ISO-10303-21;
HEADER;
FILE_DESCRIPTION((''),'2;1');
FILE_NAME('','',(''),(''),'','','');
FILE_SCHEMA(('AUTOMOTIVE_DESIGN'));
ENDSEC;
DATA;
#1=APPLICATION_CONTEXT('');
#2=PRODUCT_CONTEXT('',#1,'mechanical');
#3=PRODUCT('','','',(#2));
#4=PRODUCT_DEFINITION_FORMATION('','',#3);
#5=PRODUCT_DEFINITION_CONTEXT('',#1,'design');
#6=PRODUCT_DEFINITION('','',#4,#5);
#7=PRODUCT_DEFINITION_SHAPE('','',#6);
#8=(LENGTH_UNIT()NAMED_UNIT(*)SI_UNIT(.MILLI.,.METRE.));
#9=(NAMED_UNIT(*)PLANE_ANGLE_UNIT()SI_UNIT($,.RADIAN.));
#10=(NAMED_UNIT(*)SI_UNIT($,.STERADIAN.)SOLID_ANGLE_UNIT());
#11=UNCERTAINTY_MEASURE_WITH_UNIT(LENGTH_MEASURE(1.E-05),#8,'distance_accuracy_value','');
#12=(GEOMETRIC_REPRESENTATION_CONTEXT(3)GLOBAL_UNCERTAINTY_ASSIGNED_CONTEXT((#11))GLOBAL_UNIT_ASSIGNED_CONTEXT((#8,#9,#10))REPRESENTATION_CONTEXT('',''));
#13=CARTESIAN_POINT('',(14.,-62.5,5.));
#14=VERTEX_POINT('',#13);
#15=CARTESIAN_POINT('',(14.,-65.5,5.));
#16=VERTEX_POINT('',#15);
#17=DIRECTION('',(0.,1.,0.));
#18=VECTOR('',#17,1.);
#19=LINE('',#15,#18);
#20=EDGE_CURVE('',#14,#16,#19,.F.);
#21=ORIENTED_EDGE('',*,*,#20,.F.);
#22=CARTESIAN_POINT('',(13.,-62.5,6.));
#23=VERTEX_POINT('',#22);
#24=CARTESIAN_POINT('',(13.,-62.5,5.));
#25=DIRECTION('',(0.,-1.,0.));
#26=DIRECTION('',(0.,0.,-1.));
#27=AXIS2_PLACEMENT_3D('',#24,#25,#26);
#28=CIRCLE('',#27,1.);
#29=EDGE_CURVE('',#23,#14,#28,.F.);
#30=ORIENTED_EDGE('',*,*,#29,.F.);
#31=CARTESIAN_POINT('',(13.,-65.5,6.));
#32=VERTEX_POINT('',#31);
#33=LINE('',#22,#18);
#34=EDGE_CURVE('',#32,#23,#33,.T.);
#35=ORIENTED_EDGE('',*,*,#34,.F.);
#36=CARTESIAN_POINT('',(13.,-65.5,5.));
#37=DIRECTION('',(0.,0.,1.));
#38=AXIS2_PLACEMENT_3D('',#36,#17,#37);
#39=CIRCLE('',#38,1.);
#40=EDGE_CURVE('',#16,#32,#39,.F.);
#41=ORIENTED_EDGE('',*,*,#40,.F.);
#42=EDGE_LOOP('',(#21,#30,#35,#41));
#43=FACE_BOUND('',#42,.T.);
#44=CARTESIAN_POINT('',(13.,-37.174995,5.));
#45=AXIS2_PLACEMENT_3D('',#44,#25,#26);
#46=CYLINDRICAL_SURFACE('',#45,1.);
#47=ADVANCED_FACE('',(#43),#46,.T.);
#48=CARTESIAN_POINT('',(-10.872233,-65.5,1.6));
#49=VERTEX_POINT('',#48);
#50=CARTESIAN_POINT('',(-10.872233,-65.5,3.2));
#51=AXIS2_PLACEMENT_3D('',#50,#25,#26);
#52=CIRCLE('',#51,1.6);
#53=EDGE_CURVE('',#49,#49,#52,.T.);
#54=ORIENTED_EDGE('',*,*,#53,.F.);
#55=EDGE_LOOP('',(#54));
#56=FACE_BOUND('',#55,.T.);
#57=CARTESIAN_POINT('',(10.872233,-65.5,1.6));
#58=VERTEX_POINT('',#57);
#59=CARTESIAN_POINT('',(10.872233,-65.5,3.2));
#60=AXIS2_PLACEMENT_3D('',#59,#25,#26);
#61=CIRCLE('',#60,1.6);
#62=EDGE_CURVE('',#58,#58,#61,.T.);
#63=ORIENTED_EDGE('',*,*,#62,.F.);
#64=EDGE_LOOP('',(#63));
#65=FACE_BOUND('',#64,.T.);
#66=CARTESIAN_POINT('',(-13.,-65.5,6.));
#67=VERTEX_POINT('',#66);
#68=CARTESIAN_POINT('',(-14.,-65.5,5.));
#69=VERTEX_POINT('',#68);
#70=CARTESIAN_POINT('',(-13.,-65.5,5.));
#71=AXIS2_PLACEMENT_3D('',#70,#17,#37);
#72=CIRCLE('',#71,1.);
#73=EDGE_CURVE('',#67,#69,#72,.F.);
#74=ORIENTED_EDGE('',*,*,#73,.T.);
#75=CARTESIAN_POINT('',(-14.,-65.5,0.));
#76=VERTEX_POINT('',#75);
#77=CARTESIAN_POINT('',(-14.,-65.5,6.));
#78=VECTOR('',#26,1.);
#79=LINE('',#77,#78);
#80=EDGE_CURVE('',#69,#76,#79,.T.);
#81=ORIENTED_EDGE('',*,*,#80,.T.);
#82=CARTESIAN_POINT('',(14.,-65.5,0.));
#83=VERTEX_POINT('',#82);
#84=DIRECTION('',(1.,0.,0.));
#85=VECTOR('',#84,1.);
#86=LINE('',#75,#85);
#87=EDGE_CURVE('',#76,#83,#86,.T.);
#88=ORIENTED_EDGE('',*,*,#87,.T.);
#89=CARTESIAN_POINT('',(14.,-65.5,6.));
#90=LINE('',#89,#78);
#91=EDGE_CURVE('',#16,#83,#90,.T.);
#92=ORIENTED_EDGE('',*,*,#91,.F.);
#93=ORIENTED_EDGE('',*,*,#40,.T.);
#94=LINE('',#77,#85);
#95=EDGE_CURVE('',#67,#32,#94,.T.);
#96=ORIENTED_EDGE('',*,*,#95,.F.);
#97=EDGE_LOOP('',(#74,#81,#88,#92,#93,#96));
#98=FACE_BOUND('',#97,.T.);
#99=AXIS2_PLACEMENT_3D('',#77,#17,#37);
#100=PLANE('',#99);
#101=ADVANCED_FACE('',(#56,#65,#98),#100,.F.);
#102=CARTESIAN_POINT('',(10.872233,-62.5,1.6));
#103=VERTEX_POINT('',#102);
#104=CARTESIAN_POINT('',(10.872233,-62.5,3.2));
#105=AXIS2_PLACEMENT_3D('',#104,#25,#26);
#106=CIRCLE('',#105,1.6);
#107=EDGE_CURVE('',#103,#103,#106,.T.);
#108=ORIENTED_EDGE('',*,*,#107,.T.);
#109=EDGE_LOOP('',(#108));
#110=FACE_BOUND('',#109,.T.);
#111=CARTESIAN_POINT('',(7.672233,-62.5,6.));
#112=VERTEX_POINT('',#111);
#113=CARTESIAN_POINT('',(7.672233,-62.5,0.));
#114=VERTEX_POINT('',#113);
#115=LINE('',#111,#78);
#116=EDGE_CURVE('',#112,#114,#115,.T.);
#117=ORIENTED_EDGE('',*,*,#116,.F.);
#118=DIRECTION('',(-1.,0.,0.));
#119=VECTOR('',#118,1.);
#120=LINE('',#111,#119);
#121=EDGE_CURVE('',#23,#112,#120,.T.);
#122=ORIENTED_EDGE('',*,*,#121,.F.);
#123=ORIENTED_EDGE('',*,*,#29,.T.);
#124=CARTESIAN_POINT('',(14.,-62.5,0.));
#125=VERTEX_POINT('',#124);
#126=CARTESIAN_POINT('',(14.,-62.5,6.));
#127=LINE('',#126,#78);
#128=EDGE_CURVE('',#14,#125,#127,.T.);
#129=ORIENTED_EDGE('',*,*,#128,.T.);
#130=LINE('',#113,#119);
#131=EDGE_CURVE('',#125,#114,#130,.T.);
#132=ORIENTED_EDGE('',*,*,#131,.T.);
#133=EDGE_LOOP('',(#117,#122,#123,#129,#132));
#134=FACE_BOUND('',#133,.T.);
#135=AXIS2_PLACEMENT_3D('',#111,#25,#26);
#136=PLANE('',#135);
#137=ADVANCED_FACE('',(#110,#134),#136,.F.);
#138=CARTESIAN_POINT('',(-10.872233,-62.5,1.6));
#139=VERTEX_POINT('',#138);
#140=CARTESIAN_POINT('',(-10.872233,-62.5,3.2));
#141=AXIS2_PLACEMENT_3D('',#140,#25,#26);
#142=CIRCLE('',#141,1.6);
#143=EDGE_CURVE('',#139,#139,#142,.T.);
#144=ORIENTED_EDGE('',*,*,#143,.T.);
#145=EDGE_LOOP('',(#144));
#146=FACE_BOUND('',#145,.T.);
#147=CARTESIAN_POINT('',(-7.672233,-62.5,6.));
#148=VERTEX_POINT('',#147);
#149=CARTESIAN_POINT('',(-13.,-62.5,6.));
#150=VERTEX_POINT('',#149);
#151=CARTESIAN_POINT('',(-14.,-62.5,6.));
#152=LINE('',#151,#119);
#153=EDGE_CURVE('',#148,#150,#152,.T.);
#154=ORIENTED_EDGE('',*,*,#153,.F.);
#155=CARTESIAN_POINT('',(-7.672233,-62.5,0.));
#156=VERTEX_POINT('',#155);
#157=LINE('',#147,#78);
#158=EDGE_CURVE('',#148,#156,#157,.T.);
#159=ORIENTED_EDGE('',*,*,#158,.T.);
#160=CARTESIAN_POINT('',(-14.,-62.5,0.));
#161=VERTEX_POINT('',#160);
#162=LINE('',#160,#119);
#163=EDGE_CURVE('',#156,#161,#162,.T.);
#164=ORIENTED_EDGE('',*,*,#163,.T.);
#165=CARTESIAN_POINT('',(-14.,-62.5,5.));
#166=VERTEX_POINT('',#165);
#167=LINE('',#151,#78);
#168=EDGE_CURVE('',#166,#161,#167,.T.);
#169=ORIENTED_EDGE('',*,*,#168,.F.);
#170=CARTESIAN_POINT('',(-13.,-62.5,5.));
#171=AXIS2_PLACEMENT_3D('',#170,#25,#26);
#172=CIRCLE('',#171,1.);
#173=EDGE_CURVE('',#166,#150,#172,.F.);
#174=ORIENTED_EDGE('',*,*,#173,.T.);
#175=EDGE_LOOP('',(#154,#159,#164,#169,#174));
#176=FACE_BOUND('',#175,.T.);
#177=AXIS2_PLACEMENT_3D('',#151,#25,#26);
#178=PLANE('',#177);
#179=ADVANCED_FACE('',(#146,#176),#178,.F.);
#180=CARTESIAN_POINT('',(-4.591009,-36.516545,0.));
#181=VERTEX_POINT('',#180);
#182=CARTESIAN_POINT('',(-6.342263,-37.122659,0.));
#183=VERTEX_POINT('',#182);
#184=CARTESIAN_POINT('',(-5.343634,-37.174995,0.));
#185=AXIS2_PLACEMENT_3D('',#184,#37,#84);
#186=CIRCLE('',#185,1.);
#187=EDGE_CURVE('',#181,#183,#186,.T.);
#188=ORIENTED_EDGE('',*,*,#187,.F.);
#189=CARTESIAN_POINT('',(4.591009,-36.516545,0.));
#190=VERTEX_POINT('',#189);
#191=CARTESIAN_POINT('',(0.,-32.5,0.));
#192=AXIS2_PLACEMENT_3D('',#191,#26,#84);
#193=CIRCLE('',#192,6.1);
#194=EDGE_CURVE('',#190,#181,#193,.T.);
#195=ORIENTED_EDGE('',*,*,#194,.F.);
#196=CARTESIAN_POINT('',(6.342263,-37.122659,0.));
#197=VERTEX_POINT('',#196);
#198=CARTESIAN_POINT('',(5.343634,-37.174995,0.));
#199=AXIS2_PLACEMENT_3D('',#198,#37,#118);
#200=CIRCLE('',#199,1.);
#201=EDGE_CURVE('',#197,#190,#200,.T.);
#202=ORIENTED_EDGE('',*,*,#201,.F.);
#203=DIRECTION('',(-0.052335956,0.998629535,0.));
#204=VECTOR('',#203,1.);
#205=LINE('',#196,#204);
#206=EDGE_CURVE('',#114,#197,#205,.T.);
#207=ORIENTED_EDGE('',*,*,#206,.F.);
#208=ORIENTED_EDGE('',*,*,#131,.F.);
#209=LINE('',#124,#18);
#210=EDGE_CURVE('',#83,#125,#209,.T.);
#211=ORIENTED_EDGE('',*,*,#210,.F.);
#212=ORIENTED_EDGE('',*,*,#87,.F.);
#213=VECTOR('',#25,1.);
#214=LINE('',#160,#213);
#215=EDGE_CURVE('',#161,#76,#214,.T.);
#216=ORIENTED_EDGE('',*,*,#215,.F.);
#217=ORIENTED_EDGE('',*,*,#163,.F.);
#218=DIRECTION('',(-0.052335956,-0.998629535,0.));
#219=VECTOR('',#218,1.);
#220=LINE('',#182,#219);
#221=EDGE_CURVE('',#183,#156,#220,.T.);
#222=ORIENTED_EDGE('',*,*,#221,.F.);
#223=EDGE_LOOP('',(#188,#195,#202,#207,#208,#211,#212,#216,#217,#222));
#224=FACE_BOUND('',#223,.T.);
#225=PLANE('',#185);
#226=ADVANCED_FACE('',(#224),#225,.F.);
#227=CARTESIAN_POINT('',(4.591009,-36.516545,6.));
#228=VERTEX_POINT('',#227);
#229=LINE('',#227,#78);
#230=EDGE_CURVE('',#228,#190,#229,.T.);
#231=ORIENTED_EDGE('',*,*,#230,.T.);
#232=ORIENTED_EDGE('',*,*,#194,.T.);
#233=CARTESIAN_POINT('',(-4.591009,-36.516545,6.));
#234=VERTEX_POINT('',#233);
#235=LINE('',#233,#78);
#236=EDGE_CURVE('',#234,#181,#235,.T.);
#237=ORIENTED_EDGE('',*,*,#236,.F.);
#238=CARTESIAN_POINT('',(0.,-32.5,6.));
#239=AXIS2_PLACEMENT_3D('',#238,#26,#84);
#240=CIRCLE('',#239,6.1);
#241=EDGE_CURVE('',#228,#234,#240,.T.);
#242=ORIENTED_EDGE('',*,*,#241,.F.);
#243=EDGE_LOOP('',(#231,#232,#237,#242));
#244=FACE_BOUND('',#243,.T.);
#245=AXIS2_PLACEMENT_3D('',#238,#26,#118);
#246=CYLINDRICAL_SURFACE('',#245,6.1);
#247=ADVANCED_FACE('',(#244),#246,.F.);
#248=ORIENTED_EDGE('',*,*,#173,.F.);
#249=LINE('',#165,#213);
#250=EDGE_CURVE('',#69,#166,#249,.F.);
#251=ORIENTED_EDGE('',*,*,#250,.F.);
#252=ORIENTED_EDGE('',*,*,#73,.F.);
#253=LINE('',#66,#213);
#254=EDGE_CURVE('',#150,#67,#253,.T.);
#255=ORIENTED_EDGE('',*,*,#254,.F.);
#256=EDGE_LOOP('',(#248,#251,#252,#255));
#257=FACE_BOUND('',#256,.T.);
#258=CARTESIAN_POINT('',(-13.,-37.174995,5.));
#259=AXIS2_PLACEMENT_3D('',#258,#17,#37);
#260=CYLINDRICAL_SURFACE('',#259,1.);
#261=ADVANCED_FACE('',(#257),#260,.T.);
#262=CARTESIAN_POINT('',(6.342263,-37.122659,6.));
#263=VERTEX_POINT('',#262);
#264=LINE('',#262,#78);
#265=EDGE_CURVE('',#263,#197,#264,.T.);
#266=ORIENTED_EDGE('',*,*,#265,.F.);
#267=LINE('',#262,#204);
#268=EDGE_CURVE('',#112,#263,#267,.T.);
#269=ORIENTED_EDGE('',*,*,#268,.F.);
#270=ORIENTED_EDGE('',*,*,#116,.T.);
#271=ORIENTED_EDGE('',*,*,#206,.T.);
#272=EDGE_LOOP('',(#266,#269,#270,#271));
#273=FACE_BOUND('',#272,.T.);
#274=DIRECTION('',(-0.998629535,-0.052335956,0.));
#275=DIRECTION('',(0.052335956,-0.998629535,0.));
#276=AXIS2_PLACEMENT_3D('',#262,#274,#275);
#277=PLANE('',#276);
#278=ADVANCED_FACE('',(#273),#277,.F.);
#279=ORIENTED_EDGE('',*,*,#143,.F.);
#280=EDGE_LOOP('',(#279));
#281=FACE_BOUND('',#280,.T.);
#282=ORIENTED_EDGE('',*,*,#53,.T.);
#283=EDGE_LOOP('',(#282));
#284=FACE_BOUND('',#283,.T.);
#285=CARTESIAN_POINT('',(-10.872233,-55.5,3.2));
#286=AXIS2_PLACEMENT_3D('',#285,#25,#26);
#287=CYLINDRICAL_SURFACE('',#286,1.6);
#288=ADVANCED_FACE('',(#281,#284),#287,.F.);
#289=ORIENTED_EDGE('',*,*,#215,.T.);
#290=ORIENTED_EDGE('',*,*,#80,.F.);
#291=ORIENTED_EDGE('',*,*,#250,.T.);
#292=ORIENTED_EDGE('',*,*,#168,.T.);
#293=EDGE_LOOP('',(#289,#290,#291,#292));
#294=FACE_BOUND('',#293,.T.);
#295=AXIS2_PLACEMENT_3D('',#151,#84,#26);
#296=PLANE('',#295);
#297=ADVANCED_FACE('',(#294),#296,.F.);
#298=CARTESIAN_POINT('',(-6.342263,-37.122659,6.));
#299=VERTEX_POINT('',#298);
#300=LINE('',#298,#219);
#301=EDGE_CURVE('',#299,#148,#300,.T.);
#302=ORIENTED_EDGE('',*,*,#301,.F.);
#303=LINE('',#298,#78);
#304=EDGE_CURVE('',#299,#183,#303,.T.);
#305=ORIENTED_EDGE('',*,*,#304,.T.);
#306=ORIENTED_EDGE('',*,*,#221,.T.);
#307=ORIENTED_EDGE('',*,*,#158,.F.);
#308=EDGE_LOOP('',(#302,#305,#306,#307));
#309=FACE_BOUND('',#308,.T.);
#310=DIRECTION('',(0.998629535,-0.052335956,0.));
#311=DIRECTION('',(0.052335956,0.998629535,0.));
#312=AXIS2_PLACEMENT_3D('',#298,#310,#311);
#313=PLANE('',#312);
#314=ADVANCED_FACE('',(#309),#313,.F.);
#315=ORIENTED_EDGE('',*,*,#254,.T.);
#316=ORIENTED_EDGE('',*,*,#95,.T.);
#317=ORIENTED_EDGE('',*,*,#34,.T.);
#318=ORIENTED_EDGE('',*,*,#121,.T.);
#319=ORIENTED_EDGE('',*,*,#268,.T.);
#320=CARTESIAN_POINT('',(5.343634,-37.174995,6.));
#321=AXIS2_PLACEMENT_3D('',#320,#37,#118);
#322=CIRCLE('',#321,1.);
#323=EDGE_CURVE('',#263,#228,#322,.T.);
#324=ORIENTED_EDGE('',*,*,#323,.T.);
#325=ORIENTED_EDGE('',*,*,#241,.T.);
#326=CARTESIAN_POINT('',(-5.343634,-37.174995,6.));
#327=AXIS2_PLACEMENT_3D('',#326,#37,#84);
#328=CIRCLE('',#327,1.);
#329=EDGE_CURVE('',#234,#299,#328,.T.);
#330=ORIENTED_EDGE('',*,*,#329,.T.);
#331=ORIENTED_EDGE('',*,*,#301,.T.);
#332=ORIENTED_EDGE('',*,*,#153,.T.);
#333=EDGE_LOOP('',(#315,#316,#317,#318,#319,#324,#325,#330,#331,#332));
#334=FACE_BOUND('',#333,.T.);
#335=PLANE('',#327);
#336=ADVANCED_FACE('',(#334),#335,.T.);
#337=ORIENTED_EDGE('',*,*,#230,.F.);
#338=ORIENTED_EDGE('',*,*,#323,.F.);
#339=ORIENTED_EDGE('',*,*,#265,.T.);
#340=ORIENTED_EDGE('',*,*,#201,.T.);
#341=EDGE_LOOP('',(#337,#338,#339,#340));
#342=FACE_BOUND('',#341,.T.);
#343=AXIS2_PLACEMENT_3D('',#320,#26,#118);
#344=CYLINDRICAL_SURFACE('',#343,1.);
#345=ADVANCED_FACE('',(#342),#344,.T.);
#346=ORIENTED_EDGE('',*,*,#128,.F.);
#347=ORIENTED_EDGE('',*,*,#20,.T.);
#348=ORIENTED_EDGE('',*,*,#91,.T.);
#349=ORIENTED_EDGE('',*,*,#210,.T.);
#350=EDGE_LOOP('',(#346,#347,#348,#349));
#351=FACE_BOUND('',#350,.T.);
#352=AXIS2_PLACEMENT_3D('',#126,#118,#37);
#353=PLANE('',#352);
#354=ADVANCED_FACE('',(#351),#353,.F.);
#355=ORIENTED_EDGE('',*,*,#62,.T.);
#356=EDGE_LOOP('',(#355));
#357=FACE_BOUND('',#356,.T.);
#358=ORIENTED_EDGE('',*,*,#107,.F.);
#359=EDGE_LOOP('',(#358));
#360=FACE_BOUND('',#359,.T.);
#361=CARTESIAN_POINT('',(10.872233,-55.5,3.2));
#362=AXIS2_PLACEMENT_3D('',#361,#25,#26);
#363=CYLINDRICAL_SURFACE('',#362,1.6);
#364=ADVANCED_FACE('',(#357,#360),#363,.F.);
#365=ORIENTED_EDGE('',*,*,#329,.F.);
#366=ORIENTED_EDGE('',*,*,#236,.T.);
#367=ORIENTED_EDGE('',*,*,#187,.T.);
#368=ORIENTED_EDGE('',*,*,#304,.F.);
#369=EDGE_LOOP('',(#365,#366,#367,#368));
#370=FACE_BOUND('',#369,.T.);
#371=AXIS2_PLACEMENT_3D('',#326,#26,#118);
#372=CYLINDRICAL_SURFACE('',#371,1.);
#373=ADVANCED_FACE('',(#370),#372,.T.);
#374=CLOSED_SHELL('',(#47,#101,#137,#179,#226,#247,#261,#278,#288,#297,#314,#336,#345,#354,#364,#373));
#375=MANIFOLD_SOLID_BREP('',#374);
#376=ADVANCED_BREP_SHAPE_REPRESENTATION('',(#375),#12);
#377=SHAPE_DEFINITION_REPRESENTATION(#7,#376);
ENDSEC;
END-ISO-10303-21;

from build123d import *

# Parameters (mm, degrees)
BOSS_EXTRUDE1_DEPTH = 6
SKETCH2_R           = 1.6
CUT_EXTRUDE1_DEPTH  = 10
FILLET1_R           = 1


with BuildPart() as part:
    # Sketch1 → Boss-Extrude1 (new body)
    with BuildSketch(Plane.XY):
        with BuildLine():
            Line((-6.342263295, -37.122659043), (-7.672233378, -62.5))
            Line((-7.672233378, -62.5), (-14, -62.5))
            Line((-14, -62.5), (-14, -65.5))
            Line((-14, -65.5), (14, -65.5))
            Line((14, -65.5), (14, -62.5))
            Line((14, -62.5), (7.672233378, -62.5))
            Line((7.672233378, -62.5), (6.342263295, -37.122659043))
            ThreePointArc((6.342263295, -37.122659043), (5.670701308, -36.229994036), (4.591009287, -36.516544999))
            ThreePointArc((4.591009287, -36.516544999), (0, -38.6), (-4.591009287, -36.516544999))
            ThreePointArc((-4.591009287, -36.516544999), (-5.670701308, -36.229994036), (-6.342263295, -37.122659043))
        make_face()
    extrude(amount=BOSS_EXTRUDE1_DEPTH)

    # Sketch2 → Cut-Extrude1 (cut)
    with BuildSketch(Plane.XZ.offset(65.5)):
        with Locations(Location((10.872233378, 3.2, 0), (0, 0, 270))):
            Circle(SKETCH2_R)
        with Locations(Location((-10.872233378, 3.2, 0), (0, 0, 270))):
            Circle(SKETCH2_R)
    extrude(amount=-CUT_EXTRUDE1_DEPTH, mode=Mode.SUBTRACT)

    # Fillet1
    fillet1_edges = [part.edges().sort_by_distance(p)[0] for p in [
        (-14, -64, 6),
        (14, -64, 6),
    ]]
    fillet(fillet1_edges, radius=FILLET1_R)


solid = part.part
